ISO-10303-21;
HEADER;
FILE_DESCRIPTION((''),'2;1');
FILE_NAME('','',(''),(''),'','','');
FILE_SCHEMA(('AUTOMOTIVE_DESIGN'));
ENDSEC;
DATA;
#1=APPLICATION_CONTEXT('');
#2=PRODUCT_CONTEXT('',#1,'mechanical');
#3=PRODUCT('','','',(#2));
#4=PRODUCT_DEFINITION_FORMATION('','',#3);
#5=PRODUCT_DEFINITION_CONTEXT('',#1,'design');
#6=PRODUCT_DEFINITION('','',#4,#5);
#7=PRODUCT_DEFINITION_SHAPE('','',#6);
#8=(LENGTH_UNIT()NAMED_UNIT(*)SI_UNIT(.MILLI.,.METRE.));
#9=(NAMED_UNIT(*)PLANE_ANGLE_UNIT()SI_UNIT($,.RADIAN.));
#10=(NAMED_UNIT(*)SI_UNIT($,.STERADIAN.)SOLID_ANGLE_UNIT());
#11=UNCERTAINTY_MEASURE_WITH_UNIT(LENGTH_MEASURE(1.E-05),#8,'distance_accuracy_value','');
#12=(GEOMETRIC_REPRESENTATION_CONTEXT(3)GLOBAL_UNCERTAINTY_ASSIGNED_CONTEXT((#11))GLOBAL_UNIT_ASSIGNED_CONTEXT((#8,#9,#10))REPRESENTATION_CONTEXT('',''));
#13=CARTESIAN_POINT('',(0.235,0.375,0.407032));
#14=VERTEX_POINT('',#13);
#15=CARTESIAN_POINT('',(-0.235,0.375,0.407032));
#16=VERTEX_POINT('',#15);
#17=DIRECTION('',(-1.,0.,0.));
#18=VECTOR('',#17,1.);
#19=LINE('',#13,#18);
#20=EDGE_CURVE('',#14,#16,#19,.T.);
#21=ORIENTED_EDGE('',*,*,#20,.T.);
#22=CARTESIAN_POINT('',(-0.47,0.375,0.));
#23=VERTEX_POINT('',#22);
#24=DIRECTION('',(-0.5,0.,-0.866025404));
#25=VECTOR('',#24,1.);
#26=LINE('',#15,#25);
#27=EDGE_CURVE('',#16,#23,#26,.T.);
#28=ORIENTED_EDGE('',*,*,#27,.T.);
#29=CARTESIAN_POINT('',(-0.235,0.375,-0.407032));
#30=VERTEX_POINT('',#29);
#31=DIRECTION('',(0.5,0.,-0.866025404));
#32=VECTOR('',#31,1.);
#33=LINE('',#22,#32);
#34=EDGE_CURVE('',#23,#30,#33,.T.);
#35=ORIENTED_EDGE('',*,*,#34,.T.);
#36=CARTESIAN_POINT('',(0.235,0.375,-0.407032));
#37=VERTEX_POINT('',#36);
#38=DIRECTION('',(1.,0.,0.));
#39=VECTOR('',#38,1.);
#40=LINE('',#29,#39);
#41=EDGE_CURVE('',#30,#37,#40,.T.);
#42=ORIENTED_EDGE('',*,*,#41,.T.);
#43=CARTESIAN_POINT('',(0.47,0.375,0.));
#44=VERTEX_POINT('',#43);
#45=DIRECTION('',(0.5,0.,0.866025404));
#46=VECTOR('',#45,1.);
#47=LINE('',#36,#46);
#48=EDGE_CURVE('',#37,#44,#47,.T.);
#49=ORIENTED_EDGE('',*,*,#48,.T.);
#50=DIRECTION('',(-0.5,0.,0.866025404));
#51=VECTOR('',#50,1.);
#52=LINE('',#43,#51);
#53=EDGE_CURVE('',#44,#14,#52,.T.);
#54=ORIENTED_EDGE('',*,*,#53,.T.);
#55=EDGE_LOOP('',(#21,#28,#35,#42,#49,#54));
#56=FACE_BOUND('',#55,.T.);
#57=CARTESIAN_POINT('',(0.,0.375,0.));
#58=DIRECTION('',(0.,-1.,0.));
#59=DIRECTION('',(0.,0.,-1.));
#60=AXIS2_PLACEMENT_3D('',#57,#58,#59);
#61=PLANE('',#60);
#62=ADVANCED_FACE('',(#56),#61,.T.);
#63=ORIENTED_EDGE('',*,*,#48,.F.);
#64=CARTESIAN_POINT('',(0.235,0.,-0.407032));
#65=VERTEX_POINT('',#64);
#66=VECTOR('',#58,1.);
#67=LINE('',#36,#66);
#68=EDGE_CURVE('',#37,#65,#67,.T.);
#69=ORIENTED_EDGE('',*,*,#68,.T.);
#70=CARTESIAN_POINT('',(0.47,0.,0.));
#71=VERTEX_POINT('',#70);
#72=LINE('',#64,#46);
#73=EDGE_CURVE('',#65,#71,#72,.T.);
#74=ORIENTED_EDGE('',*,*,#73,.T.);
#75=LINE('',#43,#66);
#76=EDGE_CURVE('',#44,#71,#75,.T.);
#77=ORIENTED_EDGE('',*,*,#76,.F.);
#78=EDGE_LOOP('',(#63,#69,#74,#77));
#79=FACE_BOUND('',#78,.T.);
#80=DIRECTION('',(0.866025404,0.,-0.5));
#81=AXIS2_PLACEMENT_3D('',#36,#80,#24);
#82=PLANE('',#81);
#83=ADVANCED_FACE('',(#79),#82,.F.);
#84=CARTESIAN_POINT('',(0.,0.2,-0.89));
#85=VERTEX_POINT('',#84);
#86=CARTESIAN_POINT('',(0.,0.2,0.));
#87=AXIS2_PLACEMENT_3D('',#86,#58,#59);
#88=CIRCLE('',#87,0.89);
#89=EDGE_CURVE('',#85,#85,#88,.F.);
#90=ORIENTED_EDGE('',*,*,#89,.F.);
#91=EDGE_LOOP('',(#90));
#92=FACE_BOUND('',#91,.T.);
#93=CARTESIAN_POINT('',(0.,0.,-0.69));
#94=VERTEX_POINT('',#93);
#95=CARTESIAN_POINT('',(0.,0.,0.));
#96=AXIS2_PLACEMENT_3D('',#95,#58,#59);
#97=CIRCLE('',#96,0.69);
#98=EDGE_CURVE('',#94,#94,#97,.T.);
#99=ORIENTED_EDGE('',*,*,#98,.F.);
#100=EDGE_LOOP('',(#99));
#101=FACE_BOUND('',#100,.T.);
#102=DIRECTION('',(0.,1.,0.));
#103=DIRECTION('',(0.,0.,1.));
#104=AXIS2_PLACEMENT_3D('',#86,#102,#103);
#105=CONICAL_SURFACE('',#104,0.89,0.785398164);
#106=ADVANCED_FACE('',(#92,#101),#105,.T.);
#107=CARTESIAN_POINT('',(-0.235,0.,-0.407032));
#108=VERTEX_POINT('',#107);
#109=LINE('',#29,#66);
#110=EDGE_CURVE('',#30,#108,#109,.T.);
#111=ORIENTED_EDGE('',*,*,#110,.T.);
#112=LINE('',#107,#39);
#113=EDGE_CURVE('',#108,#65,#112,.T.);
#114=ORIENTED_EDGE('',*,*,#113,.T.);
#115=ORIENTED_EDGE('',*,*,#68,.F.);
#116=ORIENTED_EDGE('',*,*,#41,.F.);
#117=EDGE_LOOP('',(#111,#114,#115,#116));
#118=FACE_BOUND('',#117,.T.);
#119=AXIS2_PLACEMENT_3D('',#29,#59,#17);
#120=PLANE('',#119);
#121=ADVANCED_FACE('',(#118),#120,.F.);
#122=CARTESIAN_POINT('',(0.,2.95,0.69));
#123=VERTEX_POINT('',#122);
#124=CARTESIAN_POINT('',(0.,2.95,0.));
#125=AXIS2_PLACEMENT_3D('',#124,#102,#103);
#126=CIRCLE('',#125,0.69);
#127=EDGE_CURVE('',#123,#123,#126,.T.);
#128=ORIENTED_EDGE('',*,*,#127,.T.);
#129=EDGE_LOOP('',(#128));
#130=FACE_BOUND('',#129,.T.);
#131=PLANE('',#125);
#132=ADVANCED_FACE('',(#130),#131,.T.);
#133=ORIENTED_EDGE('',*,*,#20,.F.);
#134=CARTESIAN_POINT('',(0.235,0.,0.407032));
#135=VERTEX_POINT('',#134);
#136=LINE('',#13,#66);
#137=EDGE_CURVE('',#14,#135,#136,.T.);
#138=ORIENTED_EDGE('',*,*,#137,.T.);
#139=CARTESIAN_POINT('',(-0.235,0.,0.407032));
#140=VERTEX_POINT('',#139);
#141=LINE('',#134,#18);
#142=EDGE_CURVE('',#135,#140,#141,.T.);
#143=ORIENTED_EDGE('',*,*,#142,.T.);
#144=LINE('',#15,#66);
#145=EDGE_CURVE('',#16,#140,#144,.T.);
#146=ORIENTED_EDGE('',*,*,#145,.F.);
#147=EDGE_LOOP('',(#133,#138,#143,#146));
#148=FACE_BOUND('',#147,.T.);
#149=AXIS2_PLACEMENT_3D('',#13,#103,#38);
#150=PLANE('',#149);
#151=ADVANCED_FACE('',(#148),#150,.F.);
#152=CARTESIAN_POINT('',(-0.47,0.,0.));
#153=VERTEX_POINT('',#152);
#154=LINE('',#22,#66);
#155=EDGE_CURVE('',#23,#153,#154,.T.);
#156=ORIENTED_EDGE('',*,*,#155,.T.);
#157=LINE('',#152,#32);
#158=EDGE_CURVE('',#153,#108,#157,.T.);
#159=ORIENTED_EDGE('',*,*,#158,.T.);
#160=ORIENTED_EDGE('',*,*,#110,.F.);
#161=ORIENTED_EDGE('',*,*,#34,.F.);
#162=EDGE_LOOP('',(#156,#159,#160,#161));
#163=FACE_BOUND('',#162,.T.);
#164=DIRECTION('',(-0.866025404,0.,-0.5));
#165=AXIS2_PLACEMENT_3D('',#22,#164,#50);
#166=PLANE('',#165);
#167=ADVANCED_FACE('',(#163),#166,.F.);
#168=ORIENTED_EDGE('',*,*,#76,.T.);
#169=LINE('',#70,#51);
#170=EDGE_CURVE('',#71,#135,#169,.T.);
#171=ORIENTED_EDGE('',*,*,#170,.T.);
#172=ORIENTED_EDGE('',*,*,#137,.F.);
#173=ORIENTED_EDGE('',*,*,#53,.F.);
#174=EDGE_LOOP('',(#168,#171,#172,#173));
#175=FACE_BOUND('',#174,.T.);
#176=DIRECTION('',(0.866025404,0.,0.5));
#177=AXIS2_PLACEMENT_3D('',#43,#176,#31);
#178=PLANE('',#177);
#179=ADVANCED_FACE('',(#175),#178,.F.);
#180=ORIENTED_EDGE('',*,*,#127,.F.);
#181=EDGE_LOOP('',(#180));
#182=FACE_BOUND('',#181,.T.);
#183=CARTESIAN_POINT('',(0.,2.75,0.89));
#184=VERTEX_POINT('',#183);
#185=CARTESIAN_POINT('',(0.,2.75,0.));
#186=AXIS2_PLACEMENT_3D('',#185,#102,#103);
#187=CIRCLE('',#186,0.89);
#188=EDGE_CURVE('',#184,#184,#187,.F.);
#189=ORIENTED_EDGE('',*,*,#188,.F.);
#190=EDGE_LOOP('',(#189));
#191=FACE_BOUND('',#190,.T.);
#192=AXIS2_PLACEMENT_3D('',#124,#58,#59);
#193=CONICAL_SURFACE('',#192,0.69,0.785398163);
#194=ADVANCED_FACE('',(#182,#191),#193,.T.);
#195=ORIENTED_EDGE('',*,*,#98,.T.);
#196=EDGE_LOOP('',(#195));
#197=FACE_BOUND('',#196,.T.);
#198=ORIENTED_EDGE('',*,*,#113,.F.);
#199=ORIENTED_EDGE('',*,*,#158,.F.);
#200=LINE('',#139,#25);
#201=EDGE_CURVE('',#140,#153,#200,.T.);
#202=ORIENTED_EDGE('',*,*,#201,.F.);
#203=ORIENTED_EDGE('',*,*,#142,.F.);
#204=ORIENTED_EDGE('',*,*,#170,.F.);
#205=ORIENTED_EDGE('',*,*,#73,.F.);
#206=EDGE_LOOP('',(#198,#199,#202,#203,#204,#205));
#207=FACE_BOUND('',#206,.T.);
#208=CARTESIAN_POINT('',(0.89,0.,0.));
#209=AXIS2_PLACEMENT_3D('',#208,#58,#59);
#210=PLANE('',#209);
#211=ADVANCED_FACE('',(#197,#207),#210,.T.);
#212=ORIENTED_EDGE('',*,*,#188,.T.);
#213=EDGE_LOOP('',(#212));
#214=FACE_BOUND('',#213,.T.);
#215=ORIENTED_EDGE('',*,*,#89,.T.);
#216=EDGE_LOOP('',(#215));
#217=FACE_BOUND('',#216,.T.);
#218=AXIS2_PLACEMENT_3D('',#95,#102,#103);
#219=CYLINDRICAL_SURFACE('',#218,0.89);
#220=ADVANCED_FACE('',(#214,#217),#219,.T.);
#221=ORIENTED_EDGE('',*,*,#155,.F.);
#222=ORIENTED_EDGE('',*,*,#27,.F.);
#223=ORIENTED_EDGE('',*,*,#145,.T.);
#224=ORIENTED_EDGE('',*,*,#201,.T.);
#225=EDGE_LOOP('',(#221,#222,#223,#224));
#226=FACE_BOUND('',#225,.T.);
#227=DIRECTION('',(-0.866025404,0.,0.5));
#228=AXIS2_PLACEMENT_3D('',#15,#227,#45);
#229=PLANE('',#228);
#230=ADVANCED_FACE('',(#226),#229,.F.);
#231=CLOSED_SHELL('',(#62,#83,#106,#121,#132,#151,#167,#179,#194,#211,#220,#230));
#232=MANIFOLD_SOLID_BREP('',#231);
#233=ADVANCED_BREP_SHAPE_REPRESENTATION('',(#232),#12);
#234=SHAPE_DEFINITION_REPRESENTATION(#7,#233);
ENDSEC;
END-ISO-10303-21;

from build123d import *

# Parameters (mm, degrees)
SKETCH1_W          = 0.89
SKETCH1_H          = 2.95
CUT_EXTRUDE1_DEPTH = 0.375
CHAMFER1_SIZE      = 0.2


with BuildPart() as part:
    # Sketch1 → Revolve1 (revolve)
    with BuildSketch(Plane(origin=(0, 0, 0), x_dir=(-1, 0, 0), z_dir=(0, 0, -1))):
        with Locations((-0.445, 1.475)):
            Rectangle(SKETCH1_W, SKETCH1_H)
    revolve(axis=Axis((0, 0, 0), (0, 1, 0)))

    # Sketch2 → Cut-Extrude1 (cut)
    with BuildSketch(Plane.XZ):
        Polygon((-0.235, 0.40703194), (-0.47, 0), (-0.235, -0.40703194), (0.235, -0.40703194), (0.47, 0), (0.235, 0.40703194), align=None)
    extrude(amount=-CUT_EXTRUDE1_DEPTH, mode=Mode.SUBTRACT)

    # Chamfer1
    chamfer1_edges = [part.edges().sort_by_distance(p)[0] for p in [
        (-0.89, 2.95, 0),
        (-0.89, 0, 0),
    ]]
    chamfer(chamfer1_edges, length=CHAMFER1_SIZE)


solid = part.part
